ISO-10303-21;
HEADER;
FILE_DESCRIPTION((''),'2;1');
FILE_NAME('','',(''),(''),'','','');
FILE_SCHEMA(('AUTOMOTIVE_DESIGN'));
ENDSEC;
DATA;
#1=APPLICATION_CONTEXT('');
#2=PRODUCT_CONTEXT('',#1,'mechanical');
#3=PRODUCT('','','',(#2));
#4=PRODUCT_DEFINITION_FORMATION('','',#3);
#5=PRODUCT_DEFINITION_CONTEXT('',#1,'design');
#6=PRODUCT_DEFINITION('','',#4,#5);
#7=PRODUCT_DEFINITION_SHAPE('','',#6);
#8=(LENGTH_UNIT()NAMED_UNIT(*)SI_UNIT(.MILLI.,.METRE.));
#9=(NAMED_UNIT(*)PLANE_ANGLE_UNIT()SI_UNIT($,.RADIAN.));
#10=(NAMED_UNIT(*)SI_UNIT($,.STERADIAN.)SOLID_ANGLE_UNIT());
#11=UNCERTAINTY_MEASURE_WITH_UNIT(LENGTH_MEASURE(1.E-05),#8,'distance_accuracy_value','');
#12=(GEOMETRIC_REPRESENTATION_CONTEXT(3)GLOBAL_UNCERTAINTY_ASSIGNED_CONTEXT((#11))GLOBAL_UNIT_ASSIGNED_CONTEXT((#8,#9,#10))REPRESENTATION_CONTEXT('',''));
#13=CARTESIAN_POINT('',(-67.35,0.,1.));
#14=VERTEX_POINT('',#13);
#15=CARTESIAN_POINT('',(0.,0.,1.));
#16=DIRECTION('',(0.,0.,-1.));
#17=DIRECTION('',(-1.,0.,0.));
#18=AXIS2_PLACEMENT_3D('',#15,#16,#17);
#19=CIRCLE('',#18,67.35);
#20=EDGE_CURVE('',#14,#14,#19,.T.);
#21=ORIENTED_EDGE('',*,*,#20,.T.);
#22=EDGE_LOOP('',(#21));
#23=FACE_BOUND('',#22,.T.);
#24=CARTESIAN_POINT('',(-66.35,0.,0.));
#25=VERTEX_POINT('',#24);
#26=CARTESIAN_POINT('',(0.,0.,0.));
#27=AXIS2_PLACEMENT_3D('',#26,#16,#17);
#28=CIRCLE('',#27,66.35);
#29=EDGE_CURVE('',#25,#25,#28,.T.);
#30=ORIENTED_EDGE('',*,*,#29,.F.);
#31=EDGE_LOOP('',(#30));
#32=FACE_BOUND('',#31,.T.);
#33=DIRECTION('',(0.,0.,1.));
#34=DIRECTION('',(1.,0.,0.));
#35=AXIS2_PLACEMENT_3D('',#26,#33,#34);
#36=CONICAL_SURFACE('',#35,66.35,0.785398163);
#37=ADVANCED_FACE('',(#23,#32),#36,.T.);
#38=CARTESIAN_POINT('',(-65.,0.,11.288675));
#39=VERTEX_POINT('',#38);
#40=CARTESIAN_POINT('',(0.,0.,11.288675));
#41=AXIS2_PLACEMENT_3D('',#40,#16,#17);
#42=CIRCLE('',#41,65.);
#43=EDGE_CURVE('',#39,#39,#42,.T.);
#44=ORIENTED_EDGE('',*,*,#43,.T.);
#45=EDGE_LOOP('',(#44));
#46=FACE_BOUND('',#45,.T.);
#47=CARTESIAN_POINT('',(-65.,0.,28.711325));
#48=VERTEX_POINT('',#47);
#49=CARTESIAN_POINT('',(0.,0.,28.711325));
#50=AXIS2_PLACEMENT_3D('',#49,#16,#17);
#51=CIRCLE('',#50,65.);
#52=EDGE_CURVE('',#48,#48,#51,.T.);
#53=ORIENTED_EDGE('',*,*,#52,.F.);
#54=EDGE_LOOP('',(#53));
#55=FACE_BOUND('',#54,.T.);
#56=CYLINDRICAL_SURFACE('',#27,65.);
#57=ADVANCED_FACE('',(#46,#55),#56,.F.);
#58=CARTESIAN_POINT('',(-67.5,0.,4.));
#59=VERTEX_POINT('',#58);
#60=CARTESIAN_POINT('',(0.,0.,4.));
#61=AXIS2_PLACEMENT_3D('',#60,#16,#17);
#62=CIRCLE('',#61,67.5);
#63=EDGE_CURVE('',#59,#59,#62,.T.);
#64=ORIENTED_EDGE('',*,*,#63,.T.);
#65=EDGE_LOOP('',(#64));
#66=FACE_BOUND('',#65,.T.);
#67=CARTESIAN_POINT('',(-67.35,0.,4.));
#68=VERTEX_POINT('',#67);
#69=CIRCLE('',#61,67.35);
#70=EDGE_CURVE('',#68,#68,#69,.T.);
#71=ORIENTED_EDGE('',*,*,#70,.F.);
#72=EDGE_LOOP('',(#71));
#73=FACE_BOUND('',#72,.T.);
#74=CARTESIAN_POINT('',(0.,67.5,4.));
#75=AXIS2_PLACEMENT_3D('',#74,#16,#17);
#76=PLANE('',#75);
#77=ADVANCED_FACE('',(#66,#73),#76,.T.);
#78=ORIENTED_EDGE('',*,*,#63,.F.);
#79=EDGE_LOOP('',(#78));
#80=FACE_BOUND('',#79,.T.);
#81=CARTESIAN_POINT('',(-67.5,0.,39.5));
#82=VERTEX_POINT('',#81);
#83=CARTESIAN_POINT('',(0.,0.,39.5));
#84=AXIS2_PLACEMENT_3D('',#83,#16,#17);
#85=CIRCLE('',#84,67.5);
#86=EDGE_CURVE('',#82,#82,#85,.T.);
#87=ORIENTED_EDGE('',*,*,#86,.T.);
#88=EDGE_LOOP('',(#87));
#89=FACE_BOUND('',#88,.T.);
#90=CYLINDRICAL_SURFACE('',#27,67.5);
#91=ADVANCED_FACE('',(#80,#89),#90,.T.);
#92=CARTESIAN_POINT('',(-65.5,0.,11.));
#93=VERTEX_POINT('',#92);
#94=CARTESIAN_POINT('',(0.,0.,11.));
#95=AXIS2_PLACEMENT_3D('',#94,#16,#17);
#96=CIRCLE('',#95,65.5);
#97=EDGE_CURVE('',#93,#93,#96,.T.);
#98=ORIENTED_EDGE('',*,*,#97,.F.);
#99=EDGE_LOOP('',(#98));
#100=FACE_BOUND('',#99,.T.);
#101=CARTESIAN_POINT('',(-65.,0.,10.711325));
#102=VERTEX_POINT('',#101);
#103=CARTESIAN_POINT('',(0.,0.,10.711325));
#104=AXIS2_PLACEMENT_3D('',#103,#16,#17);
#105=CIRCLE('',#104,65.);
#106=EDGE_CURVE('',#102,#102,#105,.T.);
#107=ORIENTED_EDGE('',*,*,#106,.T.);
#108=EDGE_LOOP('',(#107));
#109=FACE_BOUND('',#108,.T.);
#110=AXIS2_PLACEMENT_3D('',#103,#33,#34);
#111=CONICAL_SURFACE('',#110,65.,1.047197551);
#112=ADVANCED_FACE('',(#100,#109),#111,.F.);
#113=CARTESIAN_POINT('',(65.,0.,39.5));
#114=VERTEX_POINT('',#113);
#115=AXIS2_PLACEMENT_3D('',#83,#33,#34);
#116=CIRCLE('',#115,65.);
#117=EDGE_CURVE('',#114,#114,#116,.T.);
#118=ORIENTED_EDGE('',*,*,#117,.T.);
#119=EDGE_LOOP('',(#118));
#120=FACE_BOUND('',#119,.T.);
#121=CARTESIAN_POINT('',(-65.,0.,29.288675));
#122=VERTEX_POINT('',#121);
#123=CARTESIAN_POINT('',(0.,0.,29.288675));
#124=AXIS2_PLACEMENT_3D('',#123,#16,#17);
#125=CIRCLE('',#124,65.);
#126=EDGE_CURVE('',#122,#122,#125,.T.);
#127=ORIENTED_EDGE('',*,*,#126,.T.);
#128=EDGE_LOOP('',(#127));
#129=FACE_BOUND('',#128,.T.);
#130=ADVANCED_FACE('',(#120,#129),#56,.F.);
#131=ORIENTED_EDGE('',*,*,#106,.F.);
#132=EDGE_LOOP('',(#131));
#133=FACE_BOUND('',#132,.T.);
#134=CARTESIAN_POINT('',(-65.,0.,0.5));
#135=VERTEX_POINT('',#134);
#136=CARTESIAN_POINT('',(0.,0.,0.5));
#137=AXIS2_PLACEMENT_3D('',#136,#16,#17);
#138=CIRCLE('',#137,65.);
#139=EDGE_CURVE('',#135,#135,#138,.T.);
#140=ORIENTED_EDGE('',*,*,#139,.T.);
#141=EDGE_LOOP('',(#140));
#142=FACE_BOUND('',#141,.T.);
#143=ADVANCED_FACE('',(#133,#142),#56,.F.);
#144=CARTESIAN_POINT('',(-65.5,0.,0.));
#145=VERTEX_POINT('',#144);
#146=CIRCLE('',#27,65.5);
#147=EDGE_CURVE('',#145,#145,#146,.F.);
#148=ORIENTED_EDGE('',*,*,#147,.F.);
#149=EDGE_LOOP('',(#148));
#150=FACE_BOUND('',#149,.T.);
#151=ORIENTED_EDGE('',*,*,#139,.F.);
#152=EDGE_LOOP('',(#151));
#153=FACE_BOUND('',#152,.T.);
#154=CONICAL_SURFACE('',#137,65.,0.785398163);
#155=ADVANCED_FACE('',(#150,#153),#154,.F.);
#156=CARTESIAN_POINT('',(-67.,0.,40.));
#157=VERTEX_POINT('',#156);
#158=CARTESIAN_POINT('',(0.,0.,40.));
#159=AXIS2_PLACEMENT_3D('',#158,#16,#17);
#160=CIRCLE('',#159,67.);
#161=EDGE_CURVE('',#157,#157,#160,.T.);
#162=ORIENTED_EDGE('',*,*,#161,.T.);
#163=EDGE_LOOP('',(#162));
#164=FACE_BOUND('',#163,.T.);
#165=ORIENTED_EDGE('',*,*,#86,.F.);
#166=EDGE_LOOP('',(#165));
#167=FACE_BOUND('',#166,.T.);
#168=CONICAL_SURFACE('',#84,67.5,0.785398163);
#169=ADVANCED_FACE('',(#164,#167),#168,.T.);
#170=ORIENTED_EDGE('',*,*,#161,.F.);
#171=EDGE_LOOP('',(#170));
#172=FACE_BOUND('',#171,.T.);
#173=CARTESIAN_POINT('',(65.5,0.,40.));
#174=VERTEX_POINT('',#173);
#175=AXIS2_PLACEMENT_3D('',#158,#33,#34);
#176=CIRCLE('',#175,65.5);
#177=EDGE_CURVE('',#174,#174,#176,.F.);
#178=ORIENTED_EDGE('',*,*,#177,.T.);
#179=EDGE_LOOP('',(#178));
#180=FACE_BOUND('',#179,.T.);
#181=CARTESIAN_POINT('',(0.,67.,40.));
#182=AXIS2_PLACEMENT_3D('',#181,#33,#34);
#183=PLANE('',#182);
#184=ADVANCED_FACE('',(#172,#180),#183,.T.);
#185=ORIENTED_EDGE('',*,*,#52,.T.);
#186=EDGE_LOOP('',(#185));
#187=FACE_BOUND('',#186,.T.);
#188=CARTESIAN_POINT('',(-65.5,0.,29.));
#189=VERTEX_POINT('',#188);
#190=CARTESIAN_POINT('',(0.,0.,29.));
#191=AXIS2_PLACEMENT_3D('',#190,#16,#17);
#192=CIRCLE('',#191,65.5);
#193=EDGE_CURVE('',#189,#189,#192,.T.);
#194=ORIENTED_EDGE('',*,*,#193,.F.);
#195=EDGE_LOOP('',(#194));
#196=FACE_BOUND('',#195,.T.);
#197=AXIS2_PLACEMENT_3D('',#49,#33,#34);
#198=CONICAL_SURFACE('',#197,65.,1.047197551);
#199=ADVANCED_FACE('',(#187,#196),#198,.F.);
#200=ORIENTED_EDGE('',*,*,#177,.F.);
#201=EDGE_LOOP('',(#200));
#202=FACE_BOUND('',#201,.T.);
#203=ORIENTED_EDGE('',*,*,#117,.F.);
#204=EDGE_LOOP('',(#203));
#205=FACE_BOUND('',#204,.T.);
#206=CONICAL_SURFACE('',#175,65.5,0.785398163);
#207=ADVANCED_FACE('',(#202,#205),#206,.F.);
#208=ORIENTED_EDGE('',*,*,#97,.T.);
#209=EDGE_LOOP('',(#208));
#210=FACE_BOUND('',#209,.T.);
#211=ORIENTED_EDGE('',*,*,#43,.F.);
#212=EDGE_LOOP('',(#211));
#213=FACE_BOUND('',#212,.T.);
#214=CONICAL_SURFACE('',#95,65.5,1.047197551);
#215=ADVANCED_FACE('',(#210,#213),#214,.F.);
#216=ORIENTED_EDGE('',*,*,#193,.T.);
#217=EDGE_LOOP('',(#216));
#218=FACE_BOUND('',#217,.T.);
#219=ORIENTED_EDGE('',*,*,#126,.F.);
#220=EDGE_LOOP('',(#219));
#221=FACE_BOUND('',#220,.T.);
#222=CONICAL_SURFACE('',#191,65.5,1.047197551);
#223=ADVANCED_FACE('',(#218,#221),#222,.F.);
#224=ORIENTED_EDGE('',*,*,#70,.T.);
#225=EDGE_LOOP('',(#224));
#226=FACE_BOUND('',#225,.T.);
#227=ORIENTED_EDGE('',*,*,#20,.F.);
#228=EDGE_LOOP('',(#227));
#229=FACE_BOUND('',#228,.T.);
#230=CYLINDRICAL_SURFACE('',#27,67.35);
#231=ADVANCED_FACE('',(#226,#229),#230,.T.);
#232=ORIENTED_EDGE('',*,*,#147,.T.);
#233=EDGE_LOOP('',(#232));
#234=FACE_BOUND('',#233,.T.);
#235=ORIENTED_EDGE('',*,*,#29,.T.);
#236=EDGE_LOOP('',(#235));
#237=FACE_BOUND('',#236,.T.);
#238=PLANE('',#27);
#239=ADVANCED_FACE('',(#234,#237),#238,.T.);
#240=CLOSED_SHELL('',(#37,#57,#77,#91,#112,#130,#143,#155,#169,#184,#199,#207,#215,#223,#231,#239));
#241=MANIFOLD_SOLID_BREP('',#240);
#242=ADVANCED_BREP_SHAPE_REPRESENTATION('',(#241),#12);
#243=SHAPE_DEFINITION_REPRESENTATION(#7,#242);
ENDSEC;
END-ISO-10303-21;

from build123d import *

# Parameters (mm, degrees)
CHAMFER1_SIZE = 0.5


with BuildPart() as part:
    # Sketch1 → Revolve1 (revolve)
    with BuildSketch(Plane(origin=(0, 0, 0), x_dir=(0, 0, -1), z_dir=(1, 0, 0)), mode=Mode.PRIVATE) as revolve1_sk:
        Polygon((0, 0), (-40, 0), (-40, 67), (-39.5, 67.5), (-4, 67.5), (-4, 67.35), (-1, 67.35), (0, 66.35), align=None)
    revolve(revolve1_sk.sketch.rotate(Axis((0, 0, 0), (0, 0, 1)), 90), axis=Axis((0, 0, 0), (0, 0, 1)))

    # Sketch2 → Cut-Revolve1 (revolve, cut)
    with BuildSketch(Plane(origin=(0, 0, 0), x_dir=(0, 0, -1), z_dir=(1, 0, 0)), mode=Mode.PRIVATE) as cut_revolve1_sk:
        Polygon((0, 0), (-40, 0), (-40, 65), (-29.288675135, 65), (-29, 65.5), (-28.711324865, 65), (-11.288675135, 65), (-11, 65.5), (-10.711324865, 65), (0, 65), align=None)
    revolve(cut_revolve1_sk.sketch.rotate(Axis((0, 0, 0), (0, 0, 1)), 90), axis=Axis((0, 0, 0), (0, 0, 1)), mode=Mode.SUBTRACT)

    # Chamfer1
    chamfer1_edges = [part.edges().sort_by_distance(p)[0] for p in [
        (65, 0, 0),
        (65, 0, 40),
    ]]
    chamfer(chamfer1_edges, length=CHAMFER1_SIZE)


solid = part.part
